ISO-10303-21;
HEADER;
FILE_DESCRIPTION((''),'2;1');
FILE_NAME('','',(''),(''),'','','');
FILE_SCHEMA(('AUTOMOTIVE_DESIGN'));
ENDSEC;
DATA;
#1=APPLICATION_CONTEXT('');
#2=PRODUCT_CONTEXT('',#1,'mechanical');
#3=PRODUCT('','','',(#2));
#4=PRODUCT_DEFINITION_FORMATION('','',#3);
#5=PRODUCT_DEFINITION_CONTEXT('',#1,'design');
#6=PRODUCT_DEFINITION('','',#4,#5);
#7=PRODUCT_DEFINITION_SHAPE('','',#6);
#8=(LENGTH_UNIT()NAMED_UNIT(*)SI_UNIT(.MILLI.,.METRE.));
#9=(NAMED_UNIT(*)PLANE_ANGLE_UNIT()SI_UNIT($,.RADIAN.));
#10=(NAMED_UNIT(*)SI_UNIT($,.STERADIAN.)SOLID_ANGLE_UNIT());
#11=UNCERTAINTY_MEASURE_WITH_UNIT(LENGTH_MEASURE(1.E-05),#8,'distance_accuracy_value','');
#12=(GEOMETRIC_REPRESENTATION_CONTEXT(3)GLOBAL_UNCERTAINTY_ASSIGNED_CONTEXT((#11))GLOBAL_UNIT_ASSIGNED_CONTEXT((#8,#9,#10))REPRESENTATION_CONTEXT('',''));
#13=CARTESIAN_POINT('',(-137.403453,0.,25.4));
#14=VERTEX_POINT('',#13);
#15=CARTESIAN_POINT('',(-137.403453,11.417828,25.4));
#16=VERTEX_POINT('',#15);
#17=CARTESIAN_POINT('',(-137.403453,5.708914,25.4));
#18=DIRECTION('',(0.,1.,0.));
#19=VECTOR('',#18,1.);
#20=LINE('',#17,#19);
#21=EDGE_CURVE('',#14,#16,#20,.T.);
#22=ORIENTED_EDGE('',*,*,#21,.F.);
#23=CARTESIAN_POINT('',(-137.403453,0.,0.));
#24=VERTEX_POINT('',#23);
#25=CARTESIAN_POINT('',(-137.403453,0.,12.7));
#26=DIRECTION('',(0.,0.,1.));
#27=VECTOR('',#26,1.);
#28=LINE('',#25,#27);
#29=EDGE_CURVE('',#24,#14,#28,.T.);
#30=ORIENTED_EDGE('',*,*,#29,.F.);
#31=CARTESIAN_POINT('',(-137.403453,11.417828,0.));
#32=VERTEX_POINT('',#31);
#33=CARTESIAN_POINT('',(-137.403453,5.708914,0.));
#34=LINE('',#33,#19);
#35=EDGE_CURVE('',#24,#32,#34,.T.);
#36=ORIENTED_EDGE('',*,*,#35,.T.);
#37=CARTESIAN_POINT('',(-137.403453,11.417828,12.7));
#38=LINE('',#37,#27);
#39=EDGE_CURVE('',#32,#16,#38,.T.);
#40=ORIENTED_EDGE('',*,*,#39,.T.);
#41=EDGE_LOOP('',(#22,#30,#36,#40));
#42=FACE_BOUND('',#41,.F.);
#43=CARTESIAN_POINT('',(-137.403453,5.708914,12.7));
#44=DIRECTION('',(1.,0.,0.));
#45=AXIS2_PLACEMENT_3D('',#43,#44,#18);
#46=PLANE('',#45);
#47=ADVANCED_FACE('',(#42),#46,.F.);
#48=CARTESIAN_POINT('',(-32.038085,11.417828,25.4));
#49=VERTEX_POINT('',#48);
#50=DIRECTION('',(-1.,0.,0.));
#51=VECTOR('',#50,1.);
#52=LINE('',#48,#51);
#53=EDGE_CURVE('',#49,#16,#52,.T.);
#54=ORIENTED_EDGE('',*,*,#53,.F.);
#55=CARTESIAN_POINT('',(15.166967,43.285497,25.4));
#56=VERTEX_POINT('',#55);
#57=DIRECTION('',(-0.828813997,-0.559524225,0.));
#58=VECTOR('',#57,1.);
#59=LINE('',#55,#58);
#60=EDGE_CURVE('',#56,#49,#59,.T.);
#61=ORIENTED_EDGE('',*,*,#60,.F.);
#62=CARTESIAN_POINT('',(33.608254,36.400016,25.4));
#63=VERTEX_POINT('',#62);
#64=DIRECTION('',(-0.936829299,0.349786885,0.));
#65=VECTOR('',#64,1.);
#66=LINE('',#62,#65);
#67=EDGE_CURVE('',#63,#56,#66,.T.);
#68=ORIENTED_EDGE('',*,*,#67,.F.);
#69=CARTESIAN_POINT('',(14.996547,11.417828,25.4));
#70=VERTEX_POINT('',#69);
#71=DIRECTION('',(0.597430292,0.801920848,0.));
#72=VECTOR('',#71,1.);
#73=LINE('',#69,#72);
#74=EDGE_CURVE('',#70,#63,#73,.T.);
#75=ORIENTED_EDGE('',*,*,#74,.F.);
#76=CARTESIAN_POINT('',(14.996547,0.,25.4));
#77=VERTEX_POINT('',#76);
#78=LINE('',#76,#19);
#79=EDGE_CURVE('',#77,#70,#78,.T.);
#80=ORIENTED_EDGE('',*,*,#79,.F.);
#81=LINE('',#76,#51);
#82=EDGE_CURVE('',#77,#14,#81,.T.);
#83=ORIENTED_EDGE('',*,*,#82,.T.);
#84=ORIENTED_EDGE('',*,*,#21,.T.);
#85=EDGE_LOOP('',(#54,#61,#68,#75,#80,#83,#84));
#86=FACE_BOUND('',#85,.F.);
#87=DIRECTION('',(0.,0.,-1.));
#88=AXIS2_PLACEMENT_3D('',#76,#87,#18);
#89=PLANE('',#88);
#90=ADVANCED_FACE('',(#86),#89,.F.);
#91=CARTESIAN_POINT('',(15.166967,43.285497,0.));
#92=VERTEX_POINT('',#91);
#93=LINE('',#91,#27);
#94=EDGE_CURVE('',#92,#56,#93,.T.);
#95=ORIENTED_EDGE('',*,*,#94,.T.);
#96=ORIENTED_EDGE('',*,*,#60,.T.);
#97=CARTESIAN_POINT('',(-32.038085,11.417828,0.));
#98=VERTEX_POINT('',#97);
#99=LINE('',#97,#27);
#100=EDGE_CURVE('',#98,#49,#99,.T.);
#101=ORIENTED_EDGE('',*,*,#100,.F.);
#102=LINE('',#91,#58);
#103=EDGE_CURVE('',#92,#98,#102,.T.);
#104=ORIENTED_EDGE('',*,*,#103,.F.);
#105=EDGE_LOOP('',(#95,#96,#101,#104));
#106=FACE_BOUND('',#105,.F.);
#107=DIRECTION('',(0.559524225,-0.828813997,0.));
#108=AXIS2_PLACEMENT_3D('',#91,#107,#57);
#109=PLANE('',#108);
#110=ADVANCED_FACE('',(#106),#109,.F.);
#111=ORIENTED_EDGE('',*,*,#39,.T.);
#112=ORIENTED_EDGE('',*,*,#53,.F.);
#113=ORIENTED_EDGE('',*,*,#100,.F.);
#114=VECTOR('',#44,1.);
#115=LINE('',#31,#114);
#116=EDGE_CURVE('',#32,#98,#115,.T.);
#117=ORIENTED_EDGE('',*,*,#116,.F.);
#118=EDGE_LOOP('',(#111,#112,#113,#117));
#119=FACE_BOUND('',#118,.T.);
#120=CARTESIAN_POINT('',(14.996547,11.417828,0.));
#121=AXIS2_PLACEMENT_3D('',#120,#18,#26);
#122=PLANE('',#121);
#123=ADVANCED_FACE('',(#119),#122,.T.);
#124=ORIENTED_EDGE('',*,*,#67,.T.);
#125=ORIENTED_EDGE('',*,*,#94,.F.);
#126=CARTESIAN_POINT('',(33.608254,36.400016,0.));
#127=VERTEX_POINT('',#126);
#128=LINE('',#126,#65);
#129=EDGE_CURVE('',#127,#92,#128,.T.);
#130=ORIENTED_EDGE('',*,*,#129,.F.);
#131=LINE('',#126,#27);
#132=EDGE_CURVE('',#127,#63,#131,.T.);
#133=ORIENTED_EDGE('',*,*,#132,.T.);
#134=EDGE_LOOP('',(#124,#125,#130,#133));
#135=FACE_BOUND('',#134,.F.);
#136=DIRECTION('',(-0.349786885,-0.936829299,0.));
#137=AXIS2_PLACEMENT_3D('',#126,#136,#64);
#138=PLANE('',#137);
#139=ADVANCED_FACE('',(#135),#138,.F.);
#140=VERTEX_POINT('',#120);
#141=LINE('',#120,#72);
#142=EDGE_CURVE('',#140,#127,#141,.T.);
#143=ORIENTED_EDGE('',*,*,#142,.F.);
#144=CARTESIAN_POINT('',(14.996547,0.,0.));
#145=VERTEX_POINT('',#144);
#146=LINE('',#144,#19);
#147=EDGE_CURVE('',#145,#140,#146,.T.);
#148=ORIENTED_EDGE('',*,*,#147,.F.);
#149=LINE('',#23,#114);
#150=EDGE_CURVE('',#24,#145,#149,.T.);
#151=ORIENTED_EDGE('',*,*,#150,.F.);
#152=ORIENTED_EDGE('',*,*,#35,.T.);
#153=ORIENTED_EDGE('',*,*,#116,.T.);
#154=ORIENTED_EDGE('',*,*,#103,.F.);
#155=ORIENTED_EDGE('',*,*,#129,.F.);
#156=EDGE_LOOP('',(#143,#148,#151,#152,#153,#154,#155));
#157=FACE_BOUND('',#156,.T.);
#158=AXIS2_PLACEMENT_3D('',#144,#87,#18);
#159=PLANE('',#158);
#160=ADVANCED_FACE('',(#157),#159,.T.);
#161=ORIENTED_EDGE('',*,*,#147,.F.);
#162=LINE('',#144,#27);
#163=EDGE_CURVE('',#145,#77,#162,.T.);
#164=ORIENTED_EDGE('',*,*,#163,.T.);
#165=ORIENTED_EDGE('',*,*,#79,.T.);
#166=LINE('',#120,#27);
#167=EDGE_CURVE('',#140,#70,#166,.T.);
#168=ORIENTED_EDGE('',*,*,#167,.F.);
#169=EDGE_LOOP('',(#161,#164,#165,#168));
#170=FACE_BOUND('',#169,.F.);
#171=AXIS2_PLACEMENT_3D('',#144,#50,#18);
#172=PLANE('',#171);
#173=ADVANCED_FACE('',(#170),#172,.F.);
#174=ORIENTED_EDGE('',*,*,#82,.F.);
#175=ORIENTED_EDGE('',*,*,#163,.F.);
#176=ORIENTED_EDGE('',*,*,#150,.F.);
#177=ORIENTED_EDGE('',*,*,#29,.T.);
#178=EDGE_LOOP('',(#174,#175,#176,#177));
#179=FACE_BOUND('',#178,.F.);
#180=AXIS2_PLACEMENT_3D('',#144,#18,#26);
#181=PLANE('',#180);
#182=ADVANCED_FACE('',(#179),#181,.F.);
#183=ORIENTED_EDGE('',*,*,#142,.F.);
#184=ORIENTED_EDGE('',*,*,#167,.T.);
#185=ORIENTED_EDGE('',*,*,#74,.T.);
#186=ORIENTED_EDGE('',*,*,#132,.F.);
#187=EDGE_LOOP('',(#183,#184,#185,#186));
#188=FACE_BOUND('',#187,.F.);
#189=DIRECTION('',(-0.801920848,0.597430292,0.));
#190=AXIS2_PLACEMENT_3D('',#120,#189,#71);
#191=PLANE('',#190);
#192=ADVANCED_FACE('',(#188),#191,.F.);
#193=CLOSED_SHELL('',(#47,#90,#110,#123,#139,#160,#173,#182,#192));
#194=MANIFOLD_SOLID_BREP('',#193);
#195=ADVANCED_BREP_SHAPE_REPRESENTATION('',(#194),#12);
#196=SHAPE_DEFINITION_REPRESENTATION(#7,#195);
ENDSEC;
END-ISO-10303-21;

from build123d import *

# Parameters (mm, degrees)
F1_DEPTH  = 25.4
F1_FACE_W = 11.417828
F1_FACE_H = 25.4
F2_DEPTH  = 152.4


with BuildPart() as f1:
    # F0 (on Top) → F1 (new body)
    with BuildSketch(Plane.XY):
        Polygon((-64.757831, 0), (14.996547, 0), (14.996547, 11.417828), (-32.038085, 11.417828), (-64.757831, 11.417828), align=None)
        Polygon((-32.038085, 11.417828), (14.996547, 11.417828), (33.608254, 36.400016), (15.166967, 43.285497), align=None)
    extrude(amount=F1_DEPTH)

    # F1_face (on face) → F2 (join)
    with BuildSketch(Plane(origin=(14.996547, 5.708914, 12.7), x_dir=(0, 1, 0), z_dir=(1, 0, 0))):
        Rectangle(F1_FACE_W, F1_FACE_H)
    extrude(amount=-F2_DEPTH)


solid = f1.part
